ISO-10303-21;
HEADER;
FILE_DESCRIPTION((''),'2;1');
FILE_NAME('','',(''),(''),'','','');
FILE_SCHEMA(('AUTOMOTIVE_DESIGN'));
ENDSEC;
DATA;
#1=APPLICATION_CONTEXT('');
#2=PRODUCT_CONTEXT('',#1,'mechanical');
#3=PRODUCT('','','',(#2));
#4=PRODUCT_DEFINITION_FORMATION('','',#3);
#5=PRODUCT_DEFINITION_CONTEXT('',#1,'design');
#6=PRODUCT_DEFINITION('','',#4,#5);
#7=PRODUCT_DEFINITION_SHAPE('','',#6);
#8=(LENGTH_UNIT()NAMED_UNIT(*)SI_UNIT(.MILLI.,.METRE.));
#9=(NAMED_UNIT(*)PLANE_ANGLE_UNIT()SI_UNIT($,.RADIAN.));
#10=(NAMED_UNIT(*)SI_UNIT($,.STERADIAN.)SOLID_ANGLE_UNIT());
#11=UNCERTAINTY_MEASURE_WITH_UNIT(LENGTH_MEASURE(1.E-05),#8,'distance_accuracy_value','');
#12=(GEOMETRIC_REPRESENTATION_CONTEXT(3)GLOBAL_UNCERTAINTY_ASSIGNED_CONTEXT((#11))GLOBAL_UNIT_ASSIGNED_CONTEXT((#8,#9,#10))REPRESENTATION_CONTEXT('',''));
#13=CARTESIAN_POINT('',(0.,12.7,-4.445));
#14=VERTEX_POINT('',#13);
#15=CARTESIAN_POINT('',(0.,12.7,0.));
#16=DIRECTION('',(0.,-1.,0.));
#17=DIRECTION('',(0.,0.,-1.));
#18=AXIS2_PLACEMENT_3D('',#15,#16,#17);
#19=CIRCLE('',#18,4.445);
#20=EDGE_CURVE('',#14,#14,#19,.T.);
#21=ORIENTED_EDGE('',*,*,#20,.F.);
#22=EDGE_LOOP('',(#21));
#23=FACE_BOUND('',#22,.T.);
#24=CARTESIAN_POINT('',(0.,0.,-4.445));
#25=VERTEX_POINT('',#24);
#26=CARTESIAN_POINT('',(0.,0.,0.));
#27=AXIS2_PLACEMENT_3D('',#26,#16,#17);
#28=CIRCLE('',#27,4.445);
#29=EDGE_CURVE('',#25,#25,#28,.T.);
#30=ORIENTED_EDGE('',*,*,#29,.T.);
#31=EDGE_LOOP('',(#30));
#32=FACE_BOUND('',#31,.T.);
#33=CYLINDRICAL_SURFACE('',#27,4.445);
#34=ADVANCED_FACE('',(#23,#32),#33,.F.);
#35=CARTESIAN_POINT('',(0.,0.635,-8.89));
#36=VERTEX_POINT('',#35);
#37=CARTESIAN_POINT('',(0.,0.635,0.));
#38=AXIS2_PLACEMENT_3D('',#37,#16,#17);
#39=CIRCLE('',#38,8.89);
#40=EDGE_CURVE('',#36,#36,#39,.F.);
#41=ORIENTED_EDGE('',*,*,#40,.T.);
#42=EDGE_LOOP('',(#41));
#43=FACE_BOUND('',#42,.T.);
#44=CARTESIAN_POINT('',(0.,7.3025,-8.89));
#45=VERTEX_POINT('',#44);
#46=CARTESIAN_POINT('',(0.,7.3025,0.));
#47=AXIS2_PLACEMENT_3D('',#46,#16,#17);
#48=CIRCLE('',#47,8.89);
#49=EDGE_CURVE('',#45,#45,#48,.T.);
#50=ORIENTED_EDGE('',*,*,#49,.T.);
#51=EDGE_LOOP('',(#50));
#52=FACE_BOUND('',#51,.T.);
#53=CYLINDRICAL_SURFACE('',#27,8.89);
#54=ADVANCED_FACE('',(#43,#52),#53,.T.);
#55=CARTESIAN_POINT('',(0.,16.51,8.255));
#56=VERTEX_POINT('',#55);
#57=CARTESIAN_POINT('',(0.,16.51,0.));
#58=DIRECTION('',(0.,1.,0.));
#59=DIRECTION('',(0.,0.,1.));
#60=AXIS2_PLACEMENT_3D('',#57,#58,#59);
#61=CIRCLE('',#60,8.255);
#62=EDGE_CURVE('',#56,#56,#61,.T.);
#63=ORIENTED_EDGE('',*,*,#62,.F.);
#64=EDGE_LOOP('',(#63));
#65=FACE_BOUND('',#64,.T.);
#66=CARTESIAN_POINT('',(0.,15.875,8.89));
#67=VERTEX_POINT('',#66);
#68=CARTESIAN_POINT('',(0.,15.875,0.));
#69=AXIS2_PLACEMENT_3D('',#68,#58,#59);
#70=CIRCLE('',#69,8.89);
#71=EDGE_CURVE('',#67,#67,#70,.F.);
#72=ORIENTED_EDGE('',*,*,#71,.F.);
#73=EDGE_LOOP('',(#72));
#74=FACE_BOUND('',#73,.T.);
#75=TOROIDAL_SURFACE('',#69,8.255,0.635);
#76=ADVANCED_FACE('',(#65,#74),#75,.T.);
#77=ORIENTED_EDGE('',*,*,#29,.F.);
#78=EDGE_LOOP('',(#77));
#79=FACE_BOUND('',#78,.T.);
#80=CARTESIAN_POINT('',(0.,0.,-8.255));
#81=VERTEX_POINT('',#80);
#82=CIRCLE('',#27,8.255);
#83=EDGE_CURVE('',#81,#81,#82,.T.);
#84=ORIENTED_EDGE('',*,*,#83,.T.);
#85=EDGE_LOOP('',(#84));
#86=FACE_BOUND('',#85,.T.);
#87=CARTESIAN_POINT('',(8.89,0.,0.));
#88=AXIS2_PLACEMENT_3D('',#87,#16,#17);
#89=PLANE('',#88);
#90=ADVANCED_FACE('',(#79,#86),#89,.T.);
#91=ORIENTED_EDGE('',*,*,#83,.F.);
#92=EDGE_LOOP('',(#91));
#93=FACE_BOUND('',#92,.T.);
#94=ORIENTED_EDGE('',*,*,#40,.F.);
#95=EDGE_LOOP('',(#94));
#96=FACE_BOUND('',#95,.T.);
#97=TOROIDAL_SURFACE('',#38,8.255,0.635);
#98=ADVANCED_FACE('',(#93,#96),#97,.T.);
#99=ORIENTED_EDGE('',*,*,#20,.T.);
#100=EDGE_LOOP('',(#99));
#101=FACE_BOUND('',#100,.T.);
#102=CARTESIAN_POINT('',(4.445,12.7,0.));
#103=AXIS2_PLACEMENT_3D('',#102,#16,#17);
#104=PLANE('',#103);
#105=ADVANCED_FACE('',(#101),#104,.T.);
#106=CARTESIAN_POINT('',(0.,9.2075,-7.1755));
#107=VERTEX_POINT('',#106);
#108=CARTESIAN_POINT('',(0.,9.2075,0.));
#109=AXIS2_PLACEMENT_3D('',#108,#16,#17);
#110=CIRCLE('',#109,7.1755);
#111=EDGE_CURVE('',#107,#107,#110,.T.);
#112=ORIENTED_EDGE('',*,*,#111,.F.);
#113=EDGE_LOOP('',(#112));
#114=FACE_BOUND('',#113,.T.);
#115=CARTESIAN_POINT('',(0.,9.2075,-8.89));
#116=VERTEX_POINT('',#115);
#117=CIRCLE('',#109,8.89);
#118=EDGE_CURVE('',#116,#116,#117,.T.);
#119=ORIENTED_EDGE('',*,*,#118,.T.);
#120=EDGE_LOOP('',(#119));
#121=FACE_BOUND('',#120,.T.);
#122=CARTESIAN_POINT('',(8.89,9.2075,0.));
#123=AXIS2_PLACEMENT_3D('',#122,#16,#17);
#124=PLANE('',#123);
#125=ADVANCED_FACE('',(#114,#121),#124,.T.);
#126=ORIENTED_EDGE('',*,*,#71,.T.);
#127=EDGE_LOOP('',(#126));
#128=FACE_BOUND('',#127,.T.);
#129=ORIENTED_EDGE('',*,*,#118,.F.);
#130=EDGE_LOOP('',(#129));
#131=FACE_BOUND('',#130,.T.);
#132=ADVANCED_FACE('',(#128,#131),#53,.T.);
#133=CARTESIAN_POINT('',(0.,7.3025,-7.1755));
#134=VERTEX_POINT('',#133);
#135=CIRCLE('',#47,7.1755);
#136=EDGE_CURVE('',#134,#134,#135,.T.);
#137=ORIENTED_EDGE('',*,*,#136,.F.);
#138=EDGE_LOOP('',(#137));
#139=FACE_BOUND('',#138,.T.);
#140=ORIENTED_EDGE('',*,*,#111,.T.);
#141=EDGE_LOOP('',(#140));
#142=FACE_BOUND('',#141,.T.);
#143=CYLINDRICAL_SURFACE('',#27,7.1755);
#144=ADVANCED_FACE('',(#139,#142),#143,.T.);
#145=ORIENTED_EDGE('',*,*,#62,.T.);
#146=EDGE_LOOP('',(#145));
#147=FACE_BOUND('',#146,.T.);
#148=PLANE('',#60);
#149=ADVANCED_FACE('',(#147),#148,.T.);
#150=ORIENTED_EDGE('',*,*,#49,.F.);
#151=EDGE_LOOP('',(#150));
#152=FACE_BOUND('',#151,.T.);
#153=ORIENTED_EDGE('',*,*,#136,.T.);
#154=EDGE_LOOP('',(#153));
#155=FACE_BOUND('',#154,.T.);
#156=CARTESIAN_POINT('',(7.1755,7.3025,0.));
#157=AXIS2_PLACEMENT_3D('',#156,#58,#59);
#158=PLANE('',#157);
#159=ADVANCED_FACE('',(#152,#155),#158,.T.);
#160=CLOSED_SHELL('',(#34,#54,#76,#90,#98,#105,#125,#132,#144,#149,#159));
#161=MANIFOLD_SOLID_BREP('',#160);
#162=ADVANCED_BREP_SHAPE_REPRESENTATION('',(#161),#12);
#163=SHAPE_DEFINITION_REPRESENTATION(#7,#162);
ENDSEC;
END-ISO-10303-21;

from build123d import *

# Parameters (mm, degrees)
FILLET1_R = 0.635


with BuildPart() as part:
    # Sketch1 → Revolve1 (revolve)
    with BuildSketch(Plane.XY, mode=Mode.PRIVATE) as revolve1_sk:
        Polygon((4.445, 0), (4.445, 12.7), (0, 12.7), (0, 16.51), (8.89, 16.51), (8.89, 9.2075), (7.1755, 9.2075), (7.1755, 7.3025), (8.89, 7.3025), (8.89, 0), align=None)
    revolve(revolve1_sk.sketch.rotate(Axis((0, 0, 0), (0, 1, 0)), 90), axis=Axis((0, 0, 0), (0, 1, 0)))

    # Fillet1
    fillet1_edges = [part.edges().sort_by_distance(p)[0] for p in [
        (0, 16.51, 8.89),
        (0, 0, 8.89),
    ]]
    fillet(fillet1_edges, radius=FILLET1_R)


solid = part.part
